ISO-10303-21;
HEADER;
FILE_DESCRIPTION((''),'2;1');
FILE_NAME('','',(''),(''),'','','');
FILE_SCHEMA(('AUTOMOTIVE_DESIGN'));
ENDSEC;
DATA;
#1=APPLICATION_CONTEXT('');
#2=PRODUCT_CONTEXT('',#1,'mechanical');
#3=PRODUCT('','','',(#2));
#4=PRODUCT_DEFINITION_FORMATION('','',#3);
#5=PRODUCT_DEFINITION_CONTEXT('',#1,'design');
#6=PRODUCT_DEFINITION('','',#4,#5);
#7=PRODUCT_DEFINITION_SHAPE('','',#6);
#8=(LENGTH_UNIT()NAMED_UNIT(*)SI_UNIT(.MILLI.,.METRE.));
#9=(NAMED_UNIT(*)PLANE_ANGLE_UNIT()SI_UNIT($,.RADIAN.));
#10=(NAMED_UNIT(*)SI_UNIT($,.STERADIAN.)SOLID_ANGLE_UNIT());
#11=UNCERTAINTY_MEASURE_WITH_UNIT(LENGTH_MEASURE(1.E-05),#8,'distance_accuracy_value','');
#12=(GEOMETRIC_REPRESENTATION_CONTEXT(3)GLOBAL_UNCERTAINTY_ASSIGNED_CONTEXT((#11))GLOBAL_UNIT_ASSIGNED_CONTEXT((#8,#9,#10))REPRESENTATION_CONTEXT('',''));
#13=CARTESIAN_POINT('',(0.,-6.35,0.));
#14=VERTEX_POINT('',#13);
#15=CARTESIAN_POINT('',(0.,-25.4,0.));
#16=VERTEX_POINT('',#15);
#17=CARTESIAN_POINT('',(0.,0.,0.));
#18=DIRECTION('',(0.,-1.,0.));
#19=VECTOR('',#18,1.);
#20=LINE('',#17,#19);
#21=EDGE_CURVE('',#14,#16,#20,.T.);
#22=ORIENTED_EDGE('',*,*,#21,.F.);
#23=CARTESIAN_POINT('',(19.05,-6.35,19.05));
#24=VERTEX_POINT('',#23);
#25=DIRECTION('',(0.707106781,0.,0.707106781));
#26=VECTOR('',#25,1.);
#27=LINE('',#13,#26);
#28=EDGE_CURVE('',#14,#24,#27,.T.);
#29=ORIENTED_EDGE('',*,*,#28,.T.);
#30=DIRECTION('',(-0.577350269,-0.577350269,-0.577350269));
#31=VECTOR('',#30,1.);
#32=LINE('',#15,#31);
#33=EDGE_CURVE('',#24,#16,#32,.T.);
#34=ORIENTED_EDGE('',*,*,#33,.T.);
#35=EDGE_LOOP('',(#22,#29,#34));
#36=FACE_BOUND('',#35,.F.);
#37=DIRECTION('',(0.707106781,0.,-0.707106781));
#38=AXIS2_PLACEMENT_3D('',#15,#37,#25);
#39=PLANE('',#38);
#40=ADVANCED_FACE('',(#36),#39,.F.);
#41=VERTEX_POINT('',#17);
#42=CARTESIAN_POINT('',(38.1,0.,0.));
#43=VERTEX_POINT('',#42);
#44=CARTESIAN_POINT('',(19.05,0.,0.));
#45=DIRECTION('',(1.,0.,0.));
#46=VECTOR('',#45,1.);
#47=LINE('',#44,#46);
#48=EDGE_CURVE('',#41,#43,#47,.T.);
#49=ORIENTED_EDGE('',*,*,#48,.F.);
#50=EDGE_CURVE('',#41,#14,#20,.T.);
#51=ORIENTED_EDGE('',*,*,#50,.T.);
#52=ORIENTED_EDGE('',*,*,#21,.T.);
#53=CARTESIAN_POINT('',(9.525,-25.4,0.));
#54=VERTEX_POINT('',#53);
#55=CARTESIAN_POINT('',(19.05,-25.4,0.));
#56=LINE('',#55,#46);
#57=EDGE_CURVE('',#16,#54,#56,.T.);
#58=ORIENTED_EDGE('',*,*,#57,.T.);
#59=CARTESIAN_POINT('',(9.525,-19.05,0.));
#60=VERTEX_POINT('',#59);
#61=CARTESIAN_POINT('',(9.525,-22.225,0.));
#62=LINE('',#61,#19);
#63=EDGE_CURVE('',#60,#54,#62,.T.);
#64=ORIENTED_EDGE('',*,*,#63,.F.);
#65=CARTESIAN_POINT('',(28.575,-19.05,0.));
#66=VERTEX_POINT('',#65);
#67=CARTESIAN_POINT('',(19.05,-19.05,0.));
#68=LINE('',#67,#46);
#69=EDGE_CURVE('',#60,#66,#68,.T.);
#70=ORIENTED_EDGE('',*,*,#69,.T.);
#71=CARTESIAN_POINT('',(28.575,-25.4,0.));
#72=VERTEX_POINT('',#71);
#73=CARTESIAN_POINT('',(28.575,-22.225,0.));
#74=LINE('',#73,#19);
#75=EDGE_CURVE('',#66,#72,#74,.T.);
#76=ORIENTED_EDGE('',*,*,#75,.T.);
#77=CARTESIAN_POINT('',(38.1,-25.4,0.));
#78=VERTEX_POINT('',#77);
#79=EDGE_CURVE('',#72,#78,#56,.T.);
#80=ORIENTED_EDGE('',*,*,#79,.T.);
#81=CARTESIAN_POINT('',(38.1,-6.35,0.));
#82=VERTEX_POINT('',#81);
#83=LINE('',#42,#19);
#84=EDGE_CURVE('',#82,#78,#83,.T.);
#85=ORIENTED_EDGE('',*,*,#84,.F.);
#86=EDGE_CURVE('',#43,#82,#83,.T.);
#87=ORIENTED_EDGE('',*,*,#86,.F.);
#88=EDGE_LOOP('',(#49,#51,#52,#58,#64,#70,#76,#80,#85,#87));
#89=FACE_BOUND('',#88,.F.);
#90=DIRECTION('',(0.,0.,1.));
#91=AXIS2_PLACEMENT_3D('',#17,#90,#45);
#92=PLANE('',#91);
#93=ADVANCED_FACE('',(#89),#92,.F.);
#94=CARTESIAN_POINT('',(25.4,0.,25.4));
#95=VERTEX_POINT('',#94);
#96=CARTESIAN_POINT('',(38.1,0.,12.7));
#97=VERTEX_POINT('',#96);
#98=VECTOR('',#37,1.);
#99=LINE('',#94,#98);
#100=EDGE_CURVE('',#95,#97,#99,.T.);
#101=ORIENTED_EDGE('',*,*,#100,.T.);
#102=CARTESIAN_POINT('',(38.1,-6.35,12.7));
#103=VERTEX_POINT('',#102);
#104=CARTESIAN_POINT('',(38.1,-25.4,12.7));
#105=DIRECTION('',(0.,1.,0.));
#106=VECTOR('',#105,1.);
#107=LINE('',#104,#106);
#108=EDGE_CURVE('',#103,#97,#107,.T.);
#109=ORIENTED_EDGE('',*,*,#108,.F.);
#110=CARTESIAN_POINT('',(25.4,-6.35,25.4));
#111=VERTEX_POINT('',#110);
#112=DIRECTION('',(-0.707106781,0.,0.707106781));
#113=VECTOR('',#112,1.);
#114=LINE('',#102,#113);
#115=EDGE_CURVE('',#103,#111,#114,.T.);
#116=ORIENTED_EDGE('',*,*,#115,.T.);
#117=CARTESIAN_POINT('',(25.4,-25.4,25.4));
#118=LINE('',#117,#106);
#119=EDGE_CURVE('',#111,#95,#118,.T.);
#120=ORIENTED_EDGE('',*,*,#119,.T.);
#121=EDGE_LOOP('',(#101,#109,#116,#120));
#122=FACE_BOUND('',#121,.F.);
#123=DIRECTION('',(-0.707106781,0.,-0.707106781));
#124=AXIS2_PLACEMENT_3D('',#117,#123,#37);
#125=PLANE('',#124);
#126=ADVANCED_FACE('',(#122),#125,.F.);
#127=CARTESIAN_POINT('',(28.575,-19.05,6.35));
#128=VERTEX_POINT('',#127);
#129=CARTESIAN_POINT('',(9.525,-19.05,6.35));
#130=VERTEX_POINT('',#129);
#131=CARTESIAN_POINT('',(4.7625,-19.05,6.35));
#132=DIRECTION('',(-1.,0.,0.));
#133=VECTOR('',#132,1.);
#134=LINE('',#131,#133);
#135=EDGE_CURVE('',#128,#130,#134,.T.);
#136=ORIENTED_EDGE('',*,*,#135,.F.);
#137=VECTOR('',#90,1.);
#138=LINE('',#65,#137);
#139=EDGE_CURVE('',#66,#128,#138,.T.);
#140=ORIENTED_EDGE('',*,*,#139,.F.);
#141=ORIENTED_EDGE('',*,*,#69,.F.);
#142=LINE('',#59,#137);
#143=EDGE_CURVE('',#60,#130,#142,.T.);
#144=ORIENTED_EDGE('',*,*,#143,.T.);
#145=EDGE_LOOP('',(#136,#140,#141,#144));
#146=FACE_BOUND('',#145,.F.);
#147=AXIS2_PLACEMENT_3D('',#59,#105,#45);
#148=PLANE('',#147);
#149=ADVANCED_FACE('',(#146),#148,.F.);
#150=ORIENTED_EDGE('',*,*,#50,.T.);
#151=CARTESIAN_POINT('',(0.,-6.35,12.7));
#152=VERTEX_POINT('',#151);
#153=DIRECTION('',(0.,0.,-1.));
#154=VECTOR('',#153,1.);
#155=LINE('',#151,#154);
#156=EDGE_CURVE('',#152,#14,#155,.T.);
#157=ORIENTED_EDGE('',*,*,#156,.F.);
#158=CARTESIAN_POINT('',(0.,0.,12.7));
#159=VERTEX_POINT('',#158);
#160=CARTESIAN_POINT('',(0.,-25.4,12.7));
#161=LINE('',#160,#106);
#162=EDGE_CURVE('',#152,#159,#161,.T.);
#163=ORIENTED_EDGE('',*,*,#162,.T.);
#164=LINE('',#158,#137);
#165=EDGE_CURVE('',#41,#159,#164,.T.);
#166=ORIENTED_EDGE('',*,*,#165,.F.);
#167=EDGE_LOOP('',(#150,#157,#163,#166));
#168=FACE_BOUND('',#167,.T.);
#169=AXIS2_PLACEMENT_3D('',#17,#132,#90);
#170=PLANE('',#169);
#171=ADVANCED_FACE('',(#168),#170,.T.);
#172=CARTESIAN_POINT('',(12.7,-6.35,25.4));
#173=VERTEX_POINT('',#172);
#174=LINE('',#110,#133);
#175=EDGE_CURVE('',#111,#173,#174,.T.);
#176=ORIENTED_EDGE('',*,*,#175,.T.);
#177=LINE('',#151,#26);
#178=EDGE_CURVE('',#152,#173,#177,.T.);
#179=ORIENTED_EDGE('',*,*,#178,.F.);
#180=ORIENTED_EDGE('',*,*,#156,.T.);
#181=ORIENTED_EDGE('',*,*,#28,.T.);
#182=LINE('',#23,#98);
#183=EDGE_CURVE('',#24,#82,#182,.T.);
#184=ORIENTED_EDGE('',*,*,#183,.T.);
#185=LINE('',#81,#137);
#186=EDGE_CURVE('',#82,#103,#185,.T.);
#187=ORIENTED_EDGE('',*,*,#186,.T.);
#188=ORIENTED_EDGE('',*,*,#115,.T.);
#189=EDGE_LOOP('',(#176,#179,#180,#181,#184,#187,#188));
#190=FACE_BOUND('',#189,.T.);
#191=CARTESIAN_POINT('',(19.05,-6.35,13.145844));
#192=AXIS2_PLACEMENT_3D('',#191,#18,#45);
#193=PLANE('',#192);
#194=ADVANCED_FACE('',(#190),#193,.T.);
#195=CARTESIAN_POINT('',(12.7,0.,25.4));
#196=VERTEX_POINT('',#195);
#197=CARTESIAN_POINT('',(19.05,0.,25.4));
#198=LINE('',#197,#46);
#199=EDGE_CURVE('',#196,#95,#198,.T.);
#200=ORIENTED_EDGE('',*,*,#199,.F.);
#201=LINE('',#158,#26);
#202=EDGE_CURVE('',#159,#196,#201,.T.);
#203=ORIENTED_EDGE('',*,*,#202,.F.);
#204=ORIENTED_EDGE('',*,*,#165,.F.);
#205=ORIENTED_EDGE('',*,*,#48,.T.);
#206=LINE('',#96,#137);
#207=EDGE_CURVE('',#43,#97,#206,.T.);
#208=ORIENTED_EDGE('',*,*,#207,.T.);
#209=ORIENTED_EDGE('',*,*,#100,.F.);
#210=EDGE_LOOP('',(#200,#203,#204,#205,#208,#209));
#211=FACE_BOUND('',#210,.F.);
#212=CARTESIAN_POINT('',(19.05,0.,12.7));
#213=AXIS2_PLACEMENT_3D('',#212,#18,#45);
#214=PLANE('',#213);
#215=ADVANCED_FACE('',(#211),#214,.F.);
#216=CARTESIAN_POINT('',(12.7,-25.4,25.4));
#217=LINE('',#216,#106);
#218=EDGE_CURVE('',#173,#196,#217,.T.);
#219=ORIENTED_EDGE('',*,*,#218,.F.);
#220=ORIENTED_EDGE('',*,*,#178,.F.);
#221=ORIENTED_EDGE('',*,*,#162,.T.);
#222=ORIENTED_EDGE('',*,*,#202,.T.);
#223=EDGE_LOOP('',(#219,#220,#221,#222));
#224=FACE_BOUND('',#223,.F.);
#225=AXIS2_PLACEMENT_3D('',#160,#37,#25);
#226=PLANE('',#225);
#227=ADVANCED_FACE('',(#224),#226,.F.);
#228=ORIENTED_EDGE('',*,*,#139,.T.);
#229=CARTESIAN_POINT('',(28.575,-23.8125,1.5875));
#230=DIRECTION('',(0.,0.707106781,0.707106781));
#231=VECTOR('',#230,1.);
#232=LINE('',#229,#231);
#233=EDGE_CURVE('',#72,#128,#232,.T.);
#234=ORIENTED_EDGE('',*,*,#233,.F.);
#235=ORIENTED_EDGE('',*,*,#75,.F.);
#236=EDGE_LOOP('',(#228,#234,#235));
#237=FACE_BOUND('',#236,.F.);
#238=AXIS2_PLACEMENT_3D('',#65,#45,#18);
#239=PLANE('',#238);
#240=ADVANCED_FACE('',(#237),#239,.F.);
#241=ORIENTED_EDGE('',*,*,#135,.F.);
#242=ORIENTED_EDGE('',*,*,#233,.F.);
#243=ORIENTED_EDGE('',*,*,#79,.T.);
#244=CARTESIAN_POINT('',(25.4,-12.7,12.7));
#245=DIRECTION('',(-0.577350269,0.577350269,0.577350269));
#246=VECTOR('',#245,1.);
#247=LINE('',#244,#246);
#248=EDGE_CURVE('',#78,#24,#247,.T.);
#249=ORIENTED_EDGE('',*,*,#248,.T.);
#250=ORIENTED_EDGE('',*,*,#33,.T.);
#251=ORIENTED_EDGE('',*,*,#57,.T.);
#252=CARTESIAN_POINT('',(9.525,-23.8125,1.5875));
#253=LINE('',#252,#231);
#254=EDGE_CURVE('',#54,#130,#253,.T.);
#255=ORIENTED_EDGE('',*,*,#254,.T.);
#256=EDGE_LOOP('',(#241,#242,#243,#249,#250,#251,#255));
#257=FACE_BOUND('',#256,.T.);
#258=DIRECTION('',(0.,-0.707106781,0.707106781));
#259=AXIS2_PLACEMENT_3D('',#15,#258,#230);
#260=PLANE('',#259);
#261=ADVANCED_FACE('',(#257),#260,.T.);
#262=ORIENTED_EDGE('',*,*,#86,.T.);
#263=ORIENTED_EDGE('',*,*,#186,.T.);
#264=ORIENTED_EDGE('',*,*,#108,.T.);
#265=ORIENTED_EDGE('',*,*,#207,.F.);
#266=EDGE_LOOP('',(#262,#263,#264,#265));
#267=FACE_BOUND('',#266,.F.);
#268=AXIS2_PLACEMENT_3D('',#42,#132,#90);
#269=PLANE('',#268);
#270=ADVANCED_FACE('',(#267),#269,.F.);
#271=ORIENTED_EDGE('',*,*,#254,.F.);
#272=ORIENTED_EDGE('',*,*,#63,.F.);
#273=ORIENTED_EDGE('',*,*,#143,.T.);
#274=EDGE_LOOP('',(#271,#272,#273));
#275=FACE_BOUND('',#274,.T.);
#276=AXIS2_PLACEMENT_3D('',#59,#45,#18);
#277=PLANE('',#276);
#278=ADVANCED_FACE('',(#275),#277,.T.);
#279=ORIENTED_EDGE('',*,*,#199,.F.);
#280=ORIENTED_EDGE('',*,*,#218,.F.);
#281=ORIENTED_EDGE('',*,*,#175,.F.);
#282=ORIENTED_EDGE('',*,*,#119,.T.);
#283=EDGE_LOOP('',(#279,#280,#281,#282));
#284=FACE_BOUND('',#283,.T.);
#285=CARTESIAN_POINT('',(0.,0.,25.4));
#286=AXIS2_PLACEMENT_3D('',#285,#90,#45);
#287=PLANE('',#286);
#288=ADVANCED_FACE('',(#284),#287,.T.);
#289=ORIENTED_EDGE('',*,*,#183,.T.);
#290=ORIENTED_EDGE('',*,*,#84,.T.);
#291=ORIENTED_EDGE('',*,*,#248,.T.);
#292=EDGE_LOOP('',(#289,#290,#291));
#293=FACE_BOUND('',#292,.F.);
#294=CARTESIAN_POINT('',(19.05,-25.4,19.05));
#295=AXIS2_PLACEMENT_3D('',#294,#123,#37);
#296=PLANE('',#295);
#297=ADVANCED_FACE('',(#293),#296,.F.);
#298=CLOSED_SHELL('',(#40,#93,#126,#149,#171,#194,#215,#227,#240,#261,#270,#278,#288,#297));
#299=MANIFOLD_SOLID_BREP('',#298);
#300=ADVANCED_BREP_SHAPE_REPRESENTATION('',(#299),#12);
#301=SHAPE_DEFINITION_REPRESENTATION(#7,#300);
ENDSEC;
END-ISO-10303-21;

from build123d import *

# Parameters (mm, degrees)
F0_W     = 38.1
F0_H     = 25.4
F1_DEPTH = 25.4
F3_DEPTH = 25.4
F5_DEPTH = 19.05
F7_DEPTH = 558.8
F8_W     = 19.05
F8_H     = 6.35
F9_DEPTH = 25.4


with BuildPart() as f1:
    # F0 (on Front) → F1 (new body)
    with BuildSketch(Plane.XZ):
        with Locations((19.05, 12.7)):
            Rectangle(F0_W, F0_H)
    extrude(amount=F1_DEPTH)

    # F2 (on face) → F3 (cut)
    with BuildSketch(Plane.XZ.offset(25.4)):
        Polygon((12.7, 25.4), (0, 25.4), (0, 12.7), align=None)
        Polygon((38.1, 12.7), (38.1, 25.4), (25.4, 25.4), align=None)
    extrude(amount=-F3_DEPTH, mode=Mode.SUBTRACT)

    # F4 (on face) → F5 (cut)
    with BuildSketch(Plane.XZ.offset(25.4)):
        Polygon((0, 0), (19.05, 19.05), (38.1, 0), (38.1, 12.7), (25.4, 25.4), (12.7, 25.4), (0, 12.7), align=None)
    extrude(amount=-F5_DEPTH, mode=Mode.SUBTRACT)

    # F6 (on Right) → F7 (cut)
    with BuildSketch(Plane.YZ):
        Polygon((-25.4, 19.05), (-25.4, 0), (-6.35, 19.05), align=None)
    extrude(amount=F7_DEPTH, mode=Mode.SUBTRACT)

    # F8 (on face) → F9 (cut)
    with BuildSketch(Plane(origin=(0, 0, 0), x_dir=(1, 0, 0), z_dir=(0, 0, -1))):
        with Locations((19.05, 22.225)):
            Rectangle(F8_W, F8_H)
    extrude(amount=-F9_DEPTH, mode=Mode.SUBTRACT)


solid = f1.part
